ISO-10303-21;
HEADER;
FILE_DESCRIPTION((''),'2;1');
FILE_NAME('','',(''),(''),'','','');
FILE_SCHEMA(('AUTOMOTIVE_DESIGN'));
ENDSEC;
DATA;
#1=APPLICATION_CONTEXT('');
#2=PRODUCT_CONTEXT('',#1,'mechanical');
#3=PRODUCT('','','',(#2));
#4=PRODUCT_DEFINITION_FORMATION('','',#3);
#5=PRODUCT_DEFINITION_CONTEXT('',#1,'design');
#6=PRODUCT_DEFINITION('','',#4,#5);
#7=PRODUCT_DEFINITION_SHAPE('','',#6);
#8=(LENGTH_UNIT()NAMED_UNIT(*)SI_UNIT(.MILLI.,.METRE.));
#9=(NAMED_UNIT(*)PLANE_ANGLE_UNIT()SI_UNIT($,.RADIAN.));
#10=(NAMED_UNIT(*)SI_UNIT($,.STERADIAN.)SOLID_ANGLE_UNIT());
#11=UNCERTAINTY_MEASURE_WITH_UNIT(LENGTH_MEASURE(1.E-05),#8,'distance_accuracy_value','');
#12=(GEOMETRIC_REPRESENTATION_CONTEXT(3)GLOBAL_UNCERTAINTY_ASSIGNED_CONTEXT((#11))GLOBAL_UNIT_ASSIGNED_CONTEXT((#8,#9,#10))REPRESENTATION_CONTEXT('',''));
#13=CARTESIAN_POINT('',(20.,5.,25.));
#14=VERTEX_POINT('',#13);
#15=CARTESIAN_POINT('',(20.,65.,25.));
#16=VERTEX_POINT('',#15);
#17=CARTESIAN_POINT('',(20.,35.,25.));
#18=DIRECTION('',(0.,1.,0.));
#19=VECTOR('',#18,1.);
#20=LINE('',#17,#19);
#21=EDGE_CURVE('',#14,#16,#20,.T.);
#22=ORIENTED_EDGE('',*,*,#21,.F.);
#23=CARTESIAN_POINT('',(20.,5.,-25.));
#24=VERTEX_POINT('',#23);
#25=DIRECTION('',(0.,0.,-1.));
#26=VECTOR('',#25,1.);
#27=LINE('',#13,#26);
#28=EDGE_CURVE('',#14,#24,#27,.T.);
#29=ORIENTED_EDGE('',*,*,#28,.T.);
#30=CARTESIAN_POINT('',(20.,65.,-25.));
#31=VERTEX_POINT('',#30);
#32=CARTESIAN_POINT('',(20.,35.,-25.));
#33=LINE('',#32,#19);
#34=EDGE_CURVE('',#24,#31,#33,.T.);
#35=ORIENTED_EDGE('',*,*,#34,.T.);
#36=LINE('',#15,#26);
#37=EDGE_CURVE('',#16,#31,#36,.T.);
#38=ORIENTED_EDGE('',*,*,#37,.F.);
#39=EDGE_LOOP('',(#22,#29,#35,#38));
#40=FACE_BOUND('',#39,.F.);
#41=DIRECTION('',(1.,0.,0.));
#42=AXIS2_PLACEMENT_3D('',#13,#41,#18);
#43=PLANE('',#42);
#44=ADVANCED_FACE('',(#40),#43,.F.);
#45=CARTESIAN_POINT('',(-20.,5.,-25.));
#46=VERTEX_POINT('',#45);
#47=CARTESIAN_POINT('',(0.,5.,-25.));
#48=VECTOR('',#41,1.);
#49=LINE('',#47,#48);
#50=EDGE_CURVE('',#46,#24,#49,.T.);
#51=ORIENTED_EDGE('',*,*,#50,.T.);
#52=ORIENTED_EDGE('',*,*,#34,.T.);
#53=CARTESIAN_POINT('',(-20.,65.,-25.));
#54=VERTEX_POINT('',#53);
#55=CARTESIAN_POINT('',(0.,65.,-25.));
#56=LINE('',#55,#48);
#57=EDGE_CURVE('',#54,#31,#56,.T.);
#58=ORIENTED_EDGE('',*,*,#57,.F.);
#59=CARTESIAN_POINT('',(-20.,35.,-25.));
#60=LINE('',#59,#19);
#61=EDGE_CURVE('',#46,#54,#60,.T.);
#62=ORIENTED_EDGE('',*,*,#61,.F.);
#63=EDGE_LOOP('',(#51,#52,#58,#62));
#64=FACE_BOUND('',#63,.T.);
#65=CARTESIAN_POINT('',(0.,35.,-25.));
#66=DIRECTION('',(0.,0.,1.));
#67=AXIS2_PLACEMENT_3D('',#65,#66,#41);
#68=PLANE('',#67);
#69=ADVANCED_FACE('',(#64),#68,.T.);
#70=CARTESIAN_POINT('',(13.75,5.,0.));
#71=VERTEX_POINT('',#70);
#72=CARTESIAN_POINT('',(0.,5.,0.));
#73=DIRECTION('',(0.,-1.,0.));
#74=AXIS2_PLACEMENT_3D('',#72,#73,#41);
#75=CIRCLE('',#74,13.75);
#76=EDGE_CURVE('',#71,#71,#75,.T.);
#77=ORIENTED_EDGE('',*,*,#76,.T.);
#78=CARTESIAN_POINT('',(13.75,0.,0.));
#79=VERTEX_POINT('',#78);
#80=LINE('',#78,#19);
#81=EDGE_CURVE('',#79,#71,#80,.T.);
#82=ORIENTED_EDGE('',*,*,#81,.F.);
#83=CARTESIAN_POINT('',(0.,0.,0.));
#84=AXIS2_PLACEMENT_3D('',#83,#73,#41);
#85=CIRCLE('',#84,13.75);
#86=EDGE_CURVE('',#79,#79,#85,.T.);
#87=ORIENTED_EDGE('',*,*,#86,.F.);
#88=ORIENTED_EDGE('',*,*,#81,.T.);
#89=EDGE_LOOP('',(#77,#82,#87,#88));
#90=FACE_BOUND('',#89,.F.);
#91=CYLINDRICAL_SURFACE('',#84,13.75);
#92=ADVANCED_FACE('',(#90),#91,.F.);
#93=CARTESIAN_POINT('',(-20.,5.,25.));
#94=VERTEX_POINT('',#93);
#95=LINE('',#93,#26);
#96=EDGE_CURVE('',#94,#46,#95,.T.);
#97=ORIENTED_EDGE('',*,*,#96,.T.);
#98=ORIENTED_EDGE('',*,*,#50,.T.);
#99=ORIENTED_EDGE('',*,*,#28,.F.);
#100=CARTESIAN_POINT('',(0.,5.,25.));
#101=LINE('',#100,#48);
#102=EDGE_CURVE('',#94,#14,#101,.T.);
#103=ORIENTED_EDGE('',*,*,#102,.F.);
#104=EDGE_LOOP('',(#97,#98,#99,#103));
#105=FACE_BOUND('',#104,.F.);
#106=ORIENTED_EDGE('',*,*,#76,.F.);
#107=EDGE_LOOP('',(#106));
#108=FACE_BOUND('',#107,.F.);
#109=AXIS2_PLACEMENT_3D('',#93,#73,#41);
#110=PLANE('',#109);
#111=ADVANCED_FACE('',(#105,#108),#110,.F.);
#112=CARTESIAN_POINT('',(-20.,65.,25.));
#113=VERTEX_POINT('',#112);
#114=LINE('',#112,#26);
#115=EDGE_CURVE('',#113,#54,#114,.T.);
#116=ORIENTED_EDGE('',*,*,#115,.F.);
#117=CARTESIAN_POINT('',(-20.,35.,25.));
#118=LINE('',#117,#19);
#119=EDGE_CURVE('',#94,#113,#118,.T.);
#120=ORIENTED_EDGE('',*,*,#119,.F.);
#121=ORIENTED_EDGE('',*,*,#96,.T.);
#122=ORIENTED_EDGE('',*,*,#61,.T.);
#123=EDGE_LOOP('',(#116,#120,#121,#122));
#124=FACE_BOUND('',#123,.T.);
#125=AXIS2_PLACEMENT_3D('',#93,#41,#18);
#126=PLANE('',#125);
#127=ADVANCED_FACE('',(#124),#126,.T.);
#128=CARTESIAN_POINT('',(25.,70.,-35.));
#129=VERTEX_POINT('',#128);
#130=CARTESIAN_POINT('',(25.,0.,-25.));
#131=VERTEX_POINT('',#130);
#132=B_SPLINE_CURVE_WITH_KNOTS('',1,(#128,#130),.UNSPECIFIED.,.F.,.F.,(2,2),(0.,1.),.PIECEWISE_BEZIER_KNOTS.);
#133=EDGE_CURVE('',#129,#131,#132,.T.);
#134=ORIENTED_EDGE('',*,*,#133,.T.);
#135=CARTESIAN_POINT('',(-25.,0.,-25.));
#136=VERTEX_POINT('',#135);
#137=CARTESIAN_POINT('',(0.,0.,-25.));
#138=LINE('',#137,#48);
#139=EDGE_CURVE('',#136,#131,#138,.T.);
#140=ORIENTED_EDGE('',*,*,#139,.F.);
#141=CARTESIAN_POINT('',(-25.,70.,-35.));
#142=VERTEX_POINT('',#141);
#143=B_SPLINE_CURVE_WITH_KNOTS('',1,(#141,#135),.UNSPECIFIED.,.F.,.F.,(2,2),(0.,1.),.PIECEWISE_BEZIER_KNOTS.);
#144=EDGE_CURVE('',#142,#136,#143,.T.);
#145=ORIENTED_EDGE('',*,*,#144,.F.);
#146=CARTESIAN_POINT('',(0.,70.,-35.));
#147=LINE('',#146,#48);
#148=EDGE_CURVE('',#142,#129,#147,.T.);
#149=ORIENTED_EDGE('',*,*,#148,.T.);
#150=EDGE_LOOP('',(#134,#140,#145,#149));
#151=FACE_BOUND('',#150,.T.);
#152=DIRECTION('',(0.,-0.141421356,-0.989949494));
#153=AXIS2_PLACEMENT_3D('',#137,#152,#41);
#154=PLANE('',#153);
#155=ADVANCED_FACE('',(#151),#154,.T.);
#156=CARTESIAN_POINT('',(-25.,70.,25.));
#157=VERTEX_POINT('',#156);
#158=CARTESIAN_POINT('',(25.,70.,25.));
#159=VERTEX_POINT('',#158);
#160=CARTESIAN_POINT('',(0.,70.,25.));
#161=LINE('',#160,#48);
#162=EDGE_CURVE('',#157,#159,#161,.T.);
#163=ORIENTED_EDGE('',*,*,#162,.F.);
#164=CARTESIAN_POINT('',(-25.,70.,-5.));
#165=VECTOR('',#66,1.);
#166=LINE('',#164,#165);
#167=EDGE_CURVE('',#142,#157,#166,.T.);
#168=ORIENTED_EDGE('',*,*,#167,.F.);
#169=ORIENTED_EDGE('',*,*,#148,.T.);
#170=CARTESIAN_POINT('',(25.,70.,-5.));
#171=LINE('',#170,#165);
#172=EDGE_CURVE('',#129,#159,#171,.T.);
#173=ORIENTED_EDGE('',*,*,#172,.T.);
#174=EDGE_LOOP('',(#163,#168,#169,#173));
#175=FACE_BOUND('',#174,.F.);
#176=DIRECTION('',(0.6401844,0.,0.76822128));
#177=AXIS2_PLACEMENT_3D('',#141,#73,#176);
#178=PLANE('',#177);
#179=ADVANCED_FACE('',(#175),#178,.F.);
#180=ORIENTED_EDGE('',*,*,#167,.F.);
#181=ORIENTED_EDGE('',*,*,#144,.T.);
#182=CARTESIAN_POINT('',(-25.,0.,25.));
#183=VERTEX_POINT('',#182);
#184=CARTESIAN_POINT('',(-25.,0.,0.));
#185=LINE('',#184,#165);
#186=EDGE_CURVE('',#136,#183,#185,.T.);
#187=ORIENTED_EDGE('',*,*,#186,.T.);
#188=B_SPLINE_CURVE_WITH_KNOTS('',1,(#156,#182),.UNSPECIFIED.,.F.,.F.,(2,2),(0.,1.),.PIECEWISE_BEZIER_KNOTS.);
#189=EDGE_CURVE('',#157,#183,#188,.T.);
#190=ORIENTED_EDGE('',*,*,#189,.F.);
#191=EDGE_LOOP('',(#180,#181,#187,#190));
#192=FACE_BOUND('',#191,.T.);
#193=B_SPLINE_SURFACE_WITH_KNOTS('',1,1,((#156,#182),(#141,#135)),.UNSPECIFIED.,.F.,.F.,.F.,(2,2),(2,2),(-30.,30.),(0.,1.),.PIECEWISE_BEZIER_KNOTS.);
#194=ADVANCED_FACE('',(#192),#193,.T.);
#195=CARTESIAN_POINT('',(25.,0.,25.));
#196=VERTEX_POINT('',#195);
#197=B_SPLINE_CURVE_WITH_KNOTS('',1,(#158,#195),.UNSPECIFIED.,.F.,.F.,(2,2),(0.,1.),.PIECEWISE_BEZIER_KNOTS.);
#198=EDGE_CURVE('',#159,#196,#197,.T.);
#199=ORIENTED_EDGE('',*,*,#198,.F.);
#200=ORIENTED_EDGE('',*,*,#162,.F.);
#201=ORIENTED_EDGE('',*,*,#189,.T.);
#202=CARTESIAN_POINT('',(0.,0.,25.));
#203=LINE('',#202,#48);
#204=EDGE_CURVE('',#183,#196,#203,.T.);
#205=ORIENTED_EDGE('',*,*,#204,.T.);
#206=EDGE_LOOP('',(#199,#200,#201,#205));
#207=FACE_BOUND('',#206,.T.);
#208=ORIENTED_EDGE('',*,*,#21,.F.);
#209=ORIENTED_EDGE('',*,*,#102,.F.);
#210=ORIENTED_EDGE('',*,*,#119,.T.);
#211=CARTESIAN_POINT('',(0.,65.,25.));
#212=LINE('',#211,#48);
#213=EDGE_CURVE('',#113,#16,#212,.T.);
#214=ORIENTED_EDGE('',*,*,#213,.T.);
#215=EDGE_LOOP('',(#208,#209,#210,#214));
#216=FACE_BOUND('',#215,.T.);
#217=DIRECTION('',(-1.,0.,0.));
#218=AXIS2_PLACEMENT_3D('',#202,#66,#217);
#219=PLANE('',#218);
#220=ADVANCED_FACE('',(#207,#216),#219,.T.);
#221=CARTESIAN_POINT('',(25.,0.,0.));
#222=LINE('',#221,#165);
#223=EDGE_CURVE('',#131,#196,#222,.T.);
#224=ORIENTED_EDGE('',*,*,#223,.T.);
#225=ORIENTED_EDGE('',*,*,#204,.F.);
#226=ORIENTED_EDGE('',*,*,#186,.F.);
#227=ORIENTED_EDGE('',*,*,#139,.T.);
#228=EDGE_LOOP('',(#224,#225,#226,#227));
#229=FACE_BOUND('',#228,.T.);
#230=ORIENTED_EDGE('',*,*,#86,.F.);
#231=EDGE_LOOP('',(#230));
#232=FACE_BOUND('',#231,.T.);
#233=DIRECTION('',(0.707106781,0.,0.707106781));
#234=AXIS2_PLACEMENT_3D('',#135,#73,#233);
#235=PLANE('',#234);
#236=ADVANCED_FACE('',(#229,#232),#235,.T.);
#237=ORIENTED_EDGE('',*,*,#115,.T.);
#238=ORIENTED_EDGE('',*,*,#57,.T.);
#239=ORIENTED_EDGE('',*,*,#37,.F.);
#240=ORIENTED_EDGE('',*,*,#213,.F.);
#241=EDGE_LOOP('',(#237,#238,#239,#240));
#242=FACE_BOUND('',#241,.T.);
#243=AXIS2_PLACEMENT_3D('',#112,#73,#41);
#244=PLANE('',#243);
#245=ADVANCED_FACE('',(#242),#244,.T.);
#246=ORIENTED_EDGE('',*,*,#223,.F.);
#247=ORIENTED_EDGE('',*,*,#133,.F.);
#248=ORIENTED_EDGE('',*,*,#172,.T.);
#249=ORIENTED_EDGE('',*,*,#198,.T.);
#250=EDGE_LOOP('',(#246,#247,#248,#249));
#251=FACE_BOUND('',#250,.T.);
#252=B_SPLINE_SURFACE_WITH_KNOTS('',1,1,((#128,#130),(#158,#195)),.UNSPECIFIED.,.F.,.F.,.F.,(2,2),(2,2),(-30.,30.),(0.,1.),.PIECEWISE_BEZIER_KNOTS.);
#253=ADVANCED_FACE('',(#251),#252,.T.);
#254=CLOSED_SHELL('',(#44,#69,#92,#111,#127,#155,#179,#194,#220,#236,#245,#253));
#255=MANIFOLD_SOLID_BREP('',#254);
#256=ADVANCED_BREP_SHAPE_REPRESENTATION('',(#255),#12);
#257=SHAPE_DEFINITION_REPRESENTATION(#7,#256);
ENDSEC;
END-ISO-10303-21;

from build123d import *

# Parameters (mm, degrees)
F2_W     = 50
F2_H     = 60
F0_W     = 50
F0_H     = 50
F4_W     = 40
F4_H     = 60
F5_DEPTH = 50
F6_R     = 13.75
F7_DEPTH = 25.4


with BuildPart() as f3:
    # F2 (on offset) → F3 section 0
    with BuildSketch(Plane.XZ.offset(-70)):
        with Locations((0, -5)):
            Rectangle(F2_W, F2_H)
    # F0 (on Front) → F3 section 1
    with BuildSketch(Plane.XZ):
        Rectangle(F0_W, F0_H)
    loft()

    # F4 (on face) → F5 (cut)
    with BuildSketch(Plane.XY.offset(25)):
        with Locations((0, 35)):
            Rectangle(F4_W, F4_H)
    extrude(amount=-F5_DEPTH, mode=Mode.SUBTRACT)

    # F6 (on face) → F7 (cut)
    with BuildSketch(Plane.XZ):
        Circle(F6_R)
    extrude(amount=-F7_DEPTH, mode=Mode.SUBTRACT)


solid = f3.part
